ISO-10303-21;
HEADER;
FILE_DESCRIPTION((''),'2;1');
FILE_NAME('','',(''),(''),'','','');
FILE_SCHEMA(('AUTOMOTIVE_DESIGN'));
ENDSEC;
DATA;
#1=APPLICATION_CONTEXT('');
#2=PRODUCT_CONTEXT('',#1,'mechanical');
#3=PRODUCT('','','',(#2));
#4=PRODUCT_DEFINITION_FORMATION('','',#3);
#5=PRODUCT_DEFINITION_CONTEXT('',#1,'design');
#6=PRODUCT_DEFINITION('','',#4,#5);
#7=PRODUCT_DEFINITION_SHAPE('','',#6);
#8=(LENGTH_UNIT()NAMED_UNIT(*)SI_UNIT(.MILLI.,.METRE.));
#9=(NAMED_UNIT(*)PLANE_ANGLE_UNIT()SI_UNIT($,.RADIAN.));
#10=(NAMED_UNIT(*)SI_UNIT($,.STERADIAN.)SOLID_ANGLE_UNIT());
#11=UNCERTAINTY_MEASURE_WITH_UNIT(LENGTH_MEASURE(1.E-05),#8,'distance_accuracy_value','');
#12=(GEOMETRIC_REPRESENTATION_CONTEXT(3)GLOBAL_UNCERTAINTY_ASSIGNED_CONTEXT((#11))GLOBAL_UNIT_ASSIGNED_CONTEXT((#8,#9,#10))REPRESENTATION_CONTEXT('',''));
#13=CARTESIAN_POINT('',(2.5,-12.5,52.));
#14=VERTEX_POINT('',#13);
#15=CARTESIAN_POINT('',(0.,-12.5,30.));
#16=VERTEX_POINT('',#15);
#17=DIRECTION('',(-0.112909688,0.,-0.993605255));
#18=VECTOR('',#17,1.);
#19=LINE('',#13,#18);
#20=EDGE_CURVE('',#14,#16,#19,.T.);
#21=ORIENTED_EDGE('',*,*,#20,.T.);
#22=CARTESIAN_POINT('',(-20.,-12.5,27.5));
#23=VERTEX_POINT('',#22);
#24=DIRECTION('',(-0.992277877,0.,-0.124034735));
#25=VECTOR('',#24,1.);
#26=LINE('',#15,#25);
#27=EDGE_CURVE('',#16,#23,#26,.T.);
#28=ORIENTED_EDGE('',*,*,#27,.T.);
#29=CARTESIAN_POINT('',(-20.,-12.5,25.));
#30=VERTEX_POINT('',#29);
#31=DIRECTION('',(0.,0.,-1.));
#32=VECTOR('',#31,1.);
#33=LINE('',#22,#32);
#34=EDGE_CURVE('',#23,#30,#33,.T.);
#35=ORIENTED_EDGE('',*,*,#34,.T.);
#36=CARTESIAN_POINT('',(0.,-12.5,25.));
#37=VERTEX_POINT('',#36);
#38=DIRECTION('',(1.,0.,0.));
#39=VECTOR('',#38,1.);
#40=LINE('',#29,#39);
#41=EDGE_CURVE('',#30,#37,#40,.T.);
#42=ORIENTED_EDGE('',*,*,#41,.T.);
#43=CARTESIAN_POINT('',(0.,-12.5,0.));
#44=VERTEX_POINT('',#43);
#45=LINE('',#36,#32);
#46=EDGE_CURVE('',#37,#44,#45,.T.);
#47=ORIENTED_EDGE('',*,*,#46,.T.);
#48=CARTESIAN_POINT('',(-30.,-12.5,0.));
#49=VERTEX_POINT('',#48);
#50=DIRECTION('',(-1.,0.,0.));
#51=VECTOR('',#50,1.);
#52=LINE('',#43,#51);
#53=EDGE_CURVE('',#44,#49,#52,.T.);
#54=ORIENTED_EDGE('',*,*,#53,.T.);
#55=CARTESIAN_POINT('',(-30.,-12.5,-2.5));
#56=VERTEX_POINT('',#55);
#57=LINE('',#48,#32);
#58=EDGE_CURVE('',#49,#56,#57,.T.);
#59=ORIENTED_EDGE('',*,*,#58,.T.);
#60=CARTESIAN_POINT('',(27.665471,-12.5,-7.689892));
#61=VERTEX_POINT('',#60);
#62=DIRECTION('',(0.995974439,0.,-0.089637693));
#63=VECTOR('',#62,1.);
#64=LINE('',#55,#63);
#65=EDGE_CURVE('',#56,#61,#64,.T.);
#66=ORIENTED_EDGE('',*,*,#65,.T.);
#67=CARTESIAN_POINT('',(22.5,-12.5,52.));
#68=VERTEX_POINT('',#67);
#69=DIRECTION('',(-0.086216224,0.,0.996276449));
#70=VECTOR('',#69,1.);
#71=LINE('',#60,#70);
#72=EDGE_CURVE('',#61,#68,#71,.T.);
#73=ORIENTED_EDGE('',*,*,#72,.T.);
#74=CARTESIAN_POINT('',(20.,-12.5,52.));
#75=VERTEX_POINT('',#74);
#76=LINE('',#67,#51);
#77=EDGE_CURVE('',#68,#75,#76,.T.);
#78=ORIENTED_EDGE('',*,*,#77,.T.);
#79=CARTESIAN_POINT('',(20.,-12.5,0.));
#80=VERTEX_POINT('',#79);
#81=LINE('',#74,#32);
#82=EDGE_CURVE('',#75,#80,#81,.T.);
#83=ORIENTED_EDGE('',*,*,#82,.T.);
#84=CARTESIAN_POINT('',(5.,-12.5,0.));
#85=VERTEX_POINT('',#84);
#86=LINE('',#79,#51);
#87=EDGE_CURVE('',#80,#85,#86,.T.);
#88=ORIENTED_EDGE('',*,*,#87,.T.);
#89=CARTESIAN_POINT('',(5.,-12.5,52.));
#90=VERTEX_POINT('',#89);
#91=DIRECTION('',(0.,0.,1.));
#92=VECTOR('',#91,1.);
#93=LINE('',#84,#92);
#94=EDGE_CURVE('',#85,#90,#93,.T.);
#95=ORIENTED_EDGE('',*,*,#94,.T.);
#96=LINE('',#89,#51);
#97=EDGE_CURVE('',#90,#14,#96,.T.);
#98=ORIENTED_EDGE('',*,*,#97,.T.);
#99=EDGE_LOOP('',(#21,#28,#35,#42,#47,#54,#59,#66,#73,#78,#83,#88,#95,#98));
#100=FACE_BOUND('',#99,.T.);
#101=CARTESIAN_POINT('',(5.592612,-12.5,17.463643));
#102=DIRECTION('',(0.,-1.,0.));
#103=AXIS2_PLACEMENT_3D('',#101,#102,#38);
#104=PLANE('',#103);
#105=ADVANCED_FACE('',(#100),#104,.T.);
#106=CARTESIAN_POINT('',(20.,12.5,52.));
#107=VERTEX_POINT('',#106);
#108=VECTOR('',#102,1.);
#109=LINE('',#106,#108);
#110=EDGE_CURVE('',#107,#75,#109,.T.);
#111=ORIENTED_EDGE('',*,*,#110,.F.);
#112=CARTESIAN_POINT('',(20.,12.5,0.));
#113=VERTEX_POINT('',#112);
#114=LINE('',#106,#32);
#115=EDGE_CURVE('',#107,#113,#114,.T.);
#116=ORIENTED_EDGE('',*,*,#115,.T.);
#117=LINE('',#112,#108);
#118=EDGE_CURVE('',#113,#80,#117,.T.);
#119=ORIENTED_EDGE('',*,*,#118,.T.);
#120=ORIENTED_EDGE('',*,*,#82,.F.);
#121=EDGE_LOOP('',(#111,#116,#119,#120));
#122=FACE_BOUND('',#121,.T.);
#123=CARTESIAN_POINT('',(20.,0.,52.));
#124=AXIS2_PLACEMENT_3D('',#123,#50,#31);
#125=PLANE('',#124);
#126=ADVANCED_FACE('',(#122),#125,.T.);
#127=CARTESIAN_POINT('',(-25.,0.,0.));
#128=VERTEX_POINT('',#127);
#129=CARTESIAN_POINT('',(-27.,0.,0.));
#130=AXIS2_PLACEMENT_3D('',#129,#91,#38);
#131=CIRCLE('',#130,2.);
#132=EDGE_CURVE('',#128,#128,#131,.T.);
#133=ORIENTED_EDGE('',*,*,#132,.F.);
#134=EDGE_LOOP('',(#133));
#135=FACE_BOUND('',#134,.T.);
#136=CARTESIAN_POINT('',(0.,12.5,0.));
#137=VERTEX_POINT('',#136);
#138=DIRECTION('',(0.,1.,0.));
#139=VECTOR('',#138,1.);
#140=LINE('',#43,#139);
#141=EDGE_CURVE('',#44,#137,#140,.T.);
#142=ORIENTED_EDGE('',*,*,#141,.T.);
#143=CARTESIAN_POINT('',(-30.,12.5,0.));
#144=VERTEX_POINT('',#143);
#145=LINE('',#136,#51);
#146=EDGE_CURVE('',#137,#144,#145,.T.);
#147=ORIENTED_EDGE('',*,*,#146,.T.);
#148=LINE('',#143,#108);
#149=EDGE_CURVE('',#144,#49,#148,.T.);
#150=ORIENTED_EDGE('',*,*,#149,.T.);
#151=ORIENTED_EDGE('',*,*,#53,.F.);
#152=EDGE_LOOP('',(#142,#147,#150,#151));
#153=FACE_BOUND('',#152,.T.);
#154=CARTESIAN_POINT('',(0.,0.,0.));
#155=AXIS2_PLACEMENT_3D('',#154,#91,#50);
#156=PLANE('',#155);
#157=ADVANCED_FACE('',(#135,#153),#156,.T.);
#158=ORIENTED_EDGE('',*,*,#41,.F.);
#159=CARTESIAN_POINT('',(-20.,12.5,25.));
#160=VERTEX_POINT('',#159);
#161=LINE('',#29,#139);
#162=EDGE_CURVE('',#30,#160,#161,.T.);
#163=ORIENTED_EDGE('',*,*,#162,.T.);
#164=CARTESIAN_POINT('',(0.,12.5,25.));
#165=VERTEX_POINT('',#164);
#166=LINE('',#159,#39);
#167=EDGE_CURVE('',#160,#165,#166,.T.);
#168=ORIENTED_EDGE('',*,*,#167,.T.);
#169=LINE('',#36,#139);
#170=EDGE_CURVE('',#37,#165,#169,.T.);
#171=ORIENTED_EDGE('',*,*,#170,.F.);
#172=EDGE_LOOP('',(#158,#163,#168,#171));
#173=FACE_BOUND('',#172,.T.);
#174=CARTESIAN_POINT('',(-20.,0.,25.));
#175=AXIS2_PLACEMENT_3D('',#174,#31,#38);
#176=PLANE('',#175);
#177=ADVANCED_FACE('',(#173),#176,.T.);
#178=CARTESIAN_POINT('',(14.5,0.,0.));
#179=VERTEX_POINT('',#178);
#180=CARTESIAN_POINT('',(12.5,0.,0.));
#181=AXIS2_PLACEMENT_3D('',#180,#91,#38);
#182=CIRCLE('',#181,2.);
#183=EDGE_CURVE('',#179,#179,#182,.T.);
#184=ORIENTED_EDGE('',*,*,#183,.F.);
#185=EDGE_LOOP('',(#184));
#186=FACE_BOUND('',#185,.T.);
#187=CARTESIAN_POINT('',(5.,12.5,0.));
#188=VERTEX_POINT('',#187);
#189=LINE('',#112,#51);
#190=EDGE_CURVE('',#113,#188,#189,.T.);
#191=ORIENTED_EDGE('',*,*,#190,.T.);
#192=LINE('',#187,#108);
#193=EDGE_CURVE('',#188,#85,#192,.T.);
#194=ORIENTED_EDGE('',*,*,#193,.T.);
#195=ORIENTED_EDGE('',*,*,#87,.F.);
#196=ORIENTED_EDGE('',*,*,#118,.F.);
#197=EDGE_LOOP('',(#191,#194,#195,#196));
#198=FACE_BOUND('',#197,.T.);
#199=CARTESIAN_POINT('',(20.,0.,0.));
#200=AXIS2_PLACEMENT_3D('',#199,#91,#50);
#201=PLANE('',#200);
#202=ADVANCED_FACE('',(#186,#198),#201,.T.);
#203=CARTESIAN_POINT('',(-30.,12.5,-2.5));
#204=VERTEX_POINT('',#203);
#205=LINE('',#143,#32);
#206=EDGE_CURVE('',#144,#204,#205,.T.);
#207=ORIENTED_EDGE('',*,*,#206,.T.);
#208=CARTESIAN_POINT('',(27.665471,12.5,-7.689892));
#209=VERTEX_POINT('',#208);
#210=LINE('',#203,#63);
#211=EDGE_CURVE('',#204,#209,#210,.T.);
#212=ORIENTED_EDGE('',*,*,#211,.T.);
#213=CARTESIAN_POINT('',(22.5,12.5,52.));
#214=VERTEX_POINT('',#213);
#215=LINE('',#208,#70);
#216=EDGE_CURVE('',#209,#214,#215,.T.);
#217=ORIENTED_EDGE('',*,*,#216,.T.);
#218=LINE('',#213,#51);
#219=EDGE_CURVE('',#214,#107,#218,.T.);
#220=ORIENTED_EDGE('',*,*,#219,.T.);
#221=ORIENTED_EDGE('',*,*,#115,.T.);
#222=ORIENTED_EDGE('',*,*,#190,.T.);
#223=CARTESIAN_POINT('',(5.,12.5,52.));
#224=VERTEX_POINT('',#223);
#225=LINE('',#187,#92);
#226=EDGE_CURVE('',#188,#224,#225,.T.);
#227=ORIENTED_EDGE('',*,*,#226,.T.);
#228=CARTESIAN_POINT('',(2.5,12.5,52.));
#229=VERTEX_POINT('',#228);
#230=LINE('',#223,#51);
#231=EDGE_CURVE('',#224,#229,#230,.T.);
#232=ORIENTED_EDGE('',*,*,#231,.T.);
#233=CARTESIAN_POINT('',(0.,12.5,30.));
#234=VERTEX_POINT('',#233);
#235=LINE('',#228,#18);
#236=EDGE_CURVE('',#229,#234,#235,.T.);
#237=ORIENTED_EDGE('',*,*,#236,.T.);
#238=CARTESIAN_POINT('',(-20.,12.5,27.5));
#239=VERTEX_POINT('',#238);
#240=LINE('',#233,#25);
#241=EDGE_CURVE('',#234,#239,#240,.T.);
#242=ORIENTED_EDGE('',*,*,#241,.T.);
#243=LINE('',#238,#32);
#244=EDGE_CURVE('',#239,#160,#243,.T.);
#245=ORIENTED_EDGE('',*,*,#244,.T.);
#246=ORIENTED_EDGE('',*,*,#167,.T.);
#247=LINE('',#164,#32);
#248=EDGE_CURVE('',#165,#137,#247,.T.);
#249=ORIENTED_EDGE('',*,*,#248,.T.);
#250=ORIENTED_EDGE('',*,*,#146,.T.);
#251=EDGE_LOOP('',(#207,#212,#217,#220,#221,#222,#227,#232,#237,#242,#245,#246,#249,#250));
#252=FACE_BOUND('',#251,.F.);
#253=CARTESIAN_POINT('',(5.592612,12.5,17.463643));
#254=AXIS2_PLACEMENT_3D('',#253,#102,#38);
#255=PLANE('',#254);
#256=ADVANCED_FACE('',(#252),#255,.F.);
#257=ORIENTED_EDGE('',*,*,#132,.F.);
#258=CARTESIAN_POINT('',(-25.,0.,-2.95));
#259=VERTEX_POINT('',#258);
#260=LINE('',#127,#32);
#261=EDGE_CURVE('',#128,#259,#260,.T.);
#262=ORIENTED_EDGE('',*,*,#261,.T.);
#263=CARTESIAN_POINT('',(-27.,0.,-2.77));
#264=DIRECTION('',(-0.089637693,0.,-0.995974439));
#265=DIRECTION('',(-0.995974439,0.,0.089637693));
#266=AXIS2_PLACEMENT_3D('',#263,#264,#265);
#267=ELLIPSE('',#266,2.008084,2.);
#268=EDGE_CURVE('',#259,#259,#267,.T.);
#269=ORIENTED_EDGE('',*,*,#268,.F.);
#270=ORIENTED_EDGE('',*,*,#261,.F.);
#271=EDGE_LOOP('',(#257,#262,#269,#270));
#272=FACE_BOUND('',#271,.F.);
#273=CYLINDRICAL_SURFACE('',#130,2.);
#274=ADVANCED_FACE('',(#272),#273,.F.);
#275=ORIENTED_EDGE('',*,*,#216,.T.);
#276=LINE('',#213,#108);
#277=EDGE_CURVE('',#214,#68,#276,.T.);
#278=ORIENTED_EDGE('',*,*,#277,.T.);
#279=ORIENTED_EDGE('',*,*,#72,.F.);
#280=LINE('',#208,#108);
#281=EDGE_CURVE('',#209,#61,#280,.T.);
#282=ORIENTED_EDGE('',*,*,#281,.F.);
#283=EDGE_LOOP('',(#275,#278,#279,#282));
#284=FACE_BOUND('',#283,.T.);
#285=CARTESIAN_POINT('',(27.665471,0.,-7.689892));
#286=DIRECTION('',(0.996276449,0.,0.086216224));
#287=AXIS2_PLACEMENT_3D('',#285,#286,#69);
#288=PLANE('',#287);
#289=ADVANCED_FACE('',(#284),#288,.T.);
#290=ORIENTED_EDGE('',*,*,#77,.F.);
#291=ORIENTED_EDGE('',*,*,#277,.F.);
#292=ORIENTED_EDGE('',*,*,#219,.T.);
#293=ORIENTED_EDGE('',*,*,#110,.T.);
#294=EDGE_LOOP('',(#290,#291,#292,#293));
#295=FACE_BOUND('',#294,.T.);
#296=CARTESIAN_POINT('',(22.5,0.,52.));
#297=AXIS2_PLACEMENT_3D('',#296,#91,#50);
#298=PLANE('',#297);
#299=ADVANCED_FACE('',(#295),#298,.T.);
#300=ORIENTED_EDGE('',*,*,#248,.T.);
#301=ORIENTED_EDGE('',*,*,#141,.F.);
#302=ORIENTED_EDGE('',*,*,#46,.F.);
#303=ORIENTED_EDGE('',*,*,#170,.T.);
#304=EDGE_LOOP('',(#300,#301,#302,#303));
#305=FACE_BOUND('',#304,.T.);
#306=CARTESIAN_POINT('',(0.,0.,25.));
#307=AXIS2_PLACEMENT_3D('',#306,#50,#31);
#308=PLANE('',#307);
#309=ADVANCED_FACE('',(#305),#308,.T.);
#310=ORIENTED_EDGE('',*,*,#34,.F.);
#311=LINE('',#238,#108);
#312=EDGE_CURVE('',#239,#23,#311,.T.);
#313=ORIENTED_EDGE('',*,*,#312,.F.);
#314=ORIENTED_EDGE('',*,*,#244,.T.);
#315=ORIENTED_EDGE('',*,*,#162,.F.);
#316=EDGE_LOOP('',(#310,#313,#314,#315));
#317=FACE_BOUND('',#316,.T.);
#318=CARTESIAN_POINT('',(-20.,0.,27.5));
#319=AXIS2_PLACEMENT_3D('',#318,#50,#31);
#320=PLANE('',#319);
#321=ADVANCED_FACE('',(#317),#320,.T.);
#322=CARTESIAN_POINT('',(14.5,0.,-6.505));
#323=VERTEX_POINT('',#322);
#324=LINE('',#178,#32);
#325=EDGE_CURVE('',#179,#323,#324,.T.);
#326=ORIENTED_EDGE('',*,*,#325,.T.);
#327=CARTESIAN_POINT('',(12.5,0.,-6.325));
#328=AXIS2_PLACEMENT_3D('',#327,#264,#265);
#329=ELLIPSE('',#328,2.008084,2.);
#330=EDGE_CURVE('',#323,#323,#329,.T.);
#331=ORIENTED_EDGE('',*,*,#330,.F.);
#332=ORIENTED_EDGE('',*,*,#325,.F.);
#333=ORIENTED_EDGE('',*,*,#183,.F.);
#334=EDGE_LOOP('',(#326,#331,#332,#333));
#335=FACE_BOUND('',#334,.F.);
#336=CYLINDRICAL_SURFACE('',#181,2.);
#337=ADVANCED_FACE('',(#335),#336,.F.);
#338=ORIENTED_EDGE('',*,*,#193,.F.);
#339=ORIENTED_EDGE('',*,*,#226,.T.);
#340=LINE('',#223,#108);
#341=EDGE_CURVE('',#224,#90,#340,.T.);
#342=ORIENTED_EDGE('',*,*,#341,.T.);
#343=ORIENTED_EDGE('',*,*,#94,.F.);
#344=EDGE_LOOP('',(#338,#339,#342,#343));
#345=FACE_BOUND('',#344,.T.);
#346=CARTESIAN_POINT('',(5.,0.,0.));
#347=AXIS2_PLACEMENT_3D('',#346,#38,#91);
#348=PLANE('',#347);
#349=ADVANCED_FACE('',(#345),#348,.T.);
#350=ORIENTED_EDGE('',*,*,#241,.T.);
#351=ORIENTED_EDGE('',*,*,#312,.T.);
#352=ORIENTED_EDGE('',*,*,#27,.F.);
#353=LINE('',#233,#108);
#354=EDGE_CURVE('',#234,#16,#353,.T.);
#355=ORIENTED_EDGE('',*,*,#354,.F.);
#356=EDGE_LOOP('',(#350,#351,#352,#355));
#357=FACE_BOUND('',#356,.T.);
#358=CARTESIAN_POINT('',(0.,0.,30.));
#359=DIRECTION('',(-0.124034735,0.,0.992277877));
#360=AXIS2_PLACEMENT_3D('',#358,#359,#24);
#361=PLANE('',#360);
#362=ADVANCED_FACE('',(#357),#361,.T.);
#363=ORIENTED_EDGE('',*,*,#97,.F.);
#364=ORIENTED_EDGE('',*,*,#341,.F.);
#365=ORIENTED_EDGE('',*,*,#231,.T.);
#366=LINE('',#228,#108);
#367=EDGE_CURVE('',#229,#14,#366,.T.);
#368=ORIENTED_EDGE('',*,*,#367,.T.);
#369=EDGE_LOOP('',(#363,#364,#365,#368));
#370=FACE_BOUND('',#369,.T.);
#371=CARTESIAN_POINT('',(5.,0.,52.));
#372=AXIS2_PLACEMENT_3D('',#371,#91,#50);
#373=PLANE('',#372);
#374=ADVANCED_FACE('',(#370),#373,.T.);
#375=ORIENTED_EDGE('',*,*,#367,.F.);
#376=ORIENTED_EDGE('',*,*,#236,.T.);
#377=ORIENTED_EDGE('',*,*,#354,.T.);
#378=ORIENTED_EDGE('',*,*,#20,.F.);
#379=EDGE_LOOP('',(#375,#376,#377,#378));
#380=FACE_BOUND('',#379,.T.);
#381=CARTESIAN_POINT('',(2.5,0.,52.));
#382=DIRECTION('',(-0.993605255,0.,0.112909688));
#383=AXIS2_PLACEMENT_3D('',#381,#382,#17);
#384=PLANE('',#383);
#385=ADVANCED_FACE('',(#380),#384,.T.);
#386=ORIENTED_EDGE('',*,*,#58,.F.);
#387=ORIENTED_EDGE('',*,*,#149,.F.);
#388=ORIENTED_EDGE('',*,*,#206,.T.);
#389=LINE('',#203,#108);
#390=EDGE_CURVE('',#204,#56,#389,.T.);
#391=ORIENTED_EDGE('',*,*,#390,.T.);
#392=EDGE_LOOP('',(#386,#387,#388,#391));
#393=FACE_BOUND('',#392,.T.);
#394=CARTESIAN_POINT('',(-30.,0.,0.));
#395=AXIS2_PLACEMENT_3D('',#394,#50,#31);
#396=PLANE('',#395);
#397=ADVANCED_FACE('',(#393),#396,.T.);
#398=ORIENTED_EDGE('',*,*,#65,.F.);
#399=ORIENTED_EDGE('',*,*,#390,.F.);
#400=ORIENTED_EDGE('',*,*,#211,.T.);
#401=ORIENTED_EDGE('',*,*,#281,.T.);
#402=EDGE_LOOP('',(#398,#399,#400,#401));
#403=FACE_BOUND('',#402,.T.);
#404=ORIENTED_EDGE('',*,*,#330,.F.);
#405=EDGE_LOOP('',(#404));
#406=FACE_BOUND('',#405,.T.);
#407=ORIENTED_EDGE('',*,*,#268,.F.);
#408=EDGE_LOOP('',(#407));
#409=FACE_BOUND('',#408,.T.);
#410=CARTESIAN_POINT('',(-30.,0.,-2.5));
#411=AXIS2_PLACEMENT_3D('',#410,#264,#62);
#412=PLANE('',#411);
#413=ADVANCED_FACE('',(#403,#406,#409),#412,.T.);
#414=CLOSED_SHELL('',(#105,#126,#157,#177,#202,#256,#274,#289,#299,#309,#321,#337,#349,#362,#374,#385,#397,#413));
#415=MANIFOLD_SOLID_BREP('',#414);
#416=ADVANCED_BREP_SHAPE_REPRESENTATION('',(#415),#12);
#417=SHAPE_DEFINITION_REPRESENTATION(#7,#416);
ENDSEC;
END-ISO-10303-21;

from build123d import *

# Parameters (mm, degrees)
F1_DEPTH = 12.5
F2_R     = 2
F3_DEPTH = 25


with BuildPart() as f1:
    # F0 (on Front) → F1 (new body, symmetric)
    with BuildSketch(Plane.XZ):
        Polygon((0, 0), (-30, 0), (-30, -2.5), (27.665471, -7.689892), (22.5, 52), (20, 52), (20, 0), (5, 0), (5, 52), (2.5, 52), (0, 30), (-20, 27.5), (-20, 25), (0, 25), align=None)
    extrude(amount=F1_DEPTH, both=True)

    # F2 (on Top) → F3 (cut)
    with BuildSketch(Plane.XY):
        with Locations((-27, 0)):
            Circle(F2_R)
        with Locations((12.5, 0)):
            Circle(F2_R)
    extrude(amount=-F3_DEPTH, mode=Mode.SUBTRACT)


solid = f1.part
